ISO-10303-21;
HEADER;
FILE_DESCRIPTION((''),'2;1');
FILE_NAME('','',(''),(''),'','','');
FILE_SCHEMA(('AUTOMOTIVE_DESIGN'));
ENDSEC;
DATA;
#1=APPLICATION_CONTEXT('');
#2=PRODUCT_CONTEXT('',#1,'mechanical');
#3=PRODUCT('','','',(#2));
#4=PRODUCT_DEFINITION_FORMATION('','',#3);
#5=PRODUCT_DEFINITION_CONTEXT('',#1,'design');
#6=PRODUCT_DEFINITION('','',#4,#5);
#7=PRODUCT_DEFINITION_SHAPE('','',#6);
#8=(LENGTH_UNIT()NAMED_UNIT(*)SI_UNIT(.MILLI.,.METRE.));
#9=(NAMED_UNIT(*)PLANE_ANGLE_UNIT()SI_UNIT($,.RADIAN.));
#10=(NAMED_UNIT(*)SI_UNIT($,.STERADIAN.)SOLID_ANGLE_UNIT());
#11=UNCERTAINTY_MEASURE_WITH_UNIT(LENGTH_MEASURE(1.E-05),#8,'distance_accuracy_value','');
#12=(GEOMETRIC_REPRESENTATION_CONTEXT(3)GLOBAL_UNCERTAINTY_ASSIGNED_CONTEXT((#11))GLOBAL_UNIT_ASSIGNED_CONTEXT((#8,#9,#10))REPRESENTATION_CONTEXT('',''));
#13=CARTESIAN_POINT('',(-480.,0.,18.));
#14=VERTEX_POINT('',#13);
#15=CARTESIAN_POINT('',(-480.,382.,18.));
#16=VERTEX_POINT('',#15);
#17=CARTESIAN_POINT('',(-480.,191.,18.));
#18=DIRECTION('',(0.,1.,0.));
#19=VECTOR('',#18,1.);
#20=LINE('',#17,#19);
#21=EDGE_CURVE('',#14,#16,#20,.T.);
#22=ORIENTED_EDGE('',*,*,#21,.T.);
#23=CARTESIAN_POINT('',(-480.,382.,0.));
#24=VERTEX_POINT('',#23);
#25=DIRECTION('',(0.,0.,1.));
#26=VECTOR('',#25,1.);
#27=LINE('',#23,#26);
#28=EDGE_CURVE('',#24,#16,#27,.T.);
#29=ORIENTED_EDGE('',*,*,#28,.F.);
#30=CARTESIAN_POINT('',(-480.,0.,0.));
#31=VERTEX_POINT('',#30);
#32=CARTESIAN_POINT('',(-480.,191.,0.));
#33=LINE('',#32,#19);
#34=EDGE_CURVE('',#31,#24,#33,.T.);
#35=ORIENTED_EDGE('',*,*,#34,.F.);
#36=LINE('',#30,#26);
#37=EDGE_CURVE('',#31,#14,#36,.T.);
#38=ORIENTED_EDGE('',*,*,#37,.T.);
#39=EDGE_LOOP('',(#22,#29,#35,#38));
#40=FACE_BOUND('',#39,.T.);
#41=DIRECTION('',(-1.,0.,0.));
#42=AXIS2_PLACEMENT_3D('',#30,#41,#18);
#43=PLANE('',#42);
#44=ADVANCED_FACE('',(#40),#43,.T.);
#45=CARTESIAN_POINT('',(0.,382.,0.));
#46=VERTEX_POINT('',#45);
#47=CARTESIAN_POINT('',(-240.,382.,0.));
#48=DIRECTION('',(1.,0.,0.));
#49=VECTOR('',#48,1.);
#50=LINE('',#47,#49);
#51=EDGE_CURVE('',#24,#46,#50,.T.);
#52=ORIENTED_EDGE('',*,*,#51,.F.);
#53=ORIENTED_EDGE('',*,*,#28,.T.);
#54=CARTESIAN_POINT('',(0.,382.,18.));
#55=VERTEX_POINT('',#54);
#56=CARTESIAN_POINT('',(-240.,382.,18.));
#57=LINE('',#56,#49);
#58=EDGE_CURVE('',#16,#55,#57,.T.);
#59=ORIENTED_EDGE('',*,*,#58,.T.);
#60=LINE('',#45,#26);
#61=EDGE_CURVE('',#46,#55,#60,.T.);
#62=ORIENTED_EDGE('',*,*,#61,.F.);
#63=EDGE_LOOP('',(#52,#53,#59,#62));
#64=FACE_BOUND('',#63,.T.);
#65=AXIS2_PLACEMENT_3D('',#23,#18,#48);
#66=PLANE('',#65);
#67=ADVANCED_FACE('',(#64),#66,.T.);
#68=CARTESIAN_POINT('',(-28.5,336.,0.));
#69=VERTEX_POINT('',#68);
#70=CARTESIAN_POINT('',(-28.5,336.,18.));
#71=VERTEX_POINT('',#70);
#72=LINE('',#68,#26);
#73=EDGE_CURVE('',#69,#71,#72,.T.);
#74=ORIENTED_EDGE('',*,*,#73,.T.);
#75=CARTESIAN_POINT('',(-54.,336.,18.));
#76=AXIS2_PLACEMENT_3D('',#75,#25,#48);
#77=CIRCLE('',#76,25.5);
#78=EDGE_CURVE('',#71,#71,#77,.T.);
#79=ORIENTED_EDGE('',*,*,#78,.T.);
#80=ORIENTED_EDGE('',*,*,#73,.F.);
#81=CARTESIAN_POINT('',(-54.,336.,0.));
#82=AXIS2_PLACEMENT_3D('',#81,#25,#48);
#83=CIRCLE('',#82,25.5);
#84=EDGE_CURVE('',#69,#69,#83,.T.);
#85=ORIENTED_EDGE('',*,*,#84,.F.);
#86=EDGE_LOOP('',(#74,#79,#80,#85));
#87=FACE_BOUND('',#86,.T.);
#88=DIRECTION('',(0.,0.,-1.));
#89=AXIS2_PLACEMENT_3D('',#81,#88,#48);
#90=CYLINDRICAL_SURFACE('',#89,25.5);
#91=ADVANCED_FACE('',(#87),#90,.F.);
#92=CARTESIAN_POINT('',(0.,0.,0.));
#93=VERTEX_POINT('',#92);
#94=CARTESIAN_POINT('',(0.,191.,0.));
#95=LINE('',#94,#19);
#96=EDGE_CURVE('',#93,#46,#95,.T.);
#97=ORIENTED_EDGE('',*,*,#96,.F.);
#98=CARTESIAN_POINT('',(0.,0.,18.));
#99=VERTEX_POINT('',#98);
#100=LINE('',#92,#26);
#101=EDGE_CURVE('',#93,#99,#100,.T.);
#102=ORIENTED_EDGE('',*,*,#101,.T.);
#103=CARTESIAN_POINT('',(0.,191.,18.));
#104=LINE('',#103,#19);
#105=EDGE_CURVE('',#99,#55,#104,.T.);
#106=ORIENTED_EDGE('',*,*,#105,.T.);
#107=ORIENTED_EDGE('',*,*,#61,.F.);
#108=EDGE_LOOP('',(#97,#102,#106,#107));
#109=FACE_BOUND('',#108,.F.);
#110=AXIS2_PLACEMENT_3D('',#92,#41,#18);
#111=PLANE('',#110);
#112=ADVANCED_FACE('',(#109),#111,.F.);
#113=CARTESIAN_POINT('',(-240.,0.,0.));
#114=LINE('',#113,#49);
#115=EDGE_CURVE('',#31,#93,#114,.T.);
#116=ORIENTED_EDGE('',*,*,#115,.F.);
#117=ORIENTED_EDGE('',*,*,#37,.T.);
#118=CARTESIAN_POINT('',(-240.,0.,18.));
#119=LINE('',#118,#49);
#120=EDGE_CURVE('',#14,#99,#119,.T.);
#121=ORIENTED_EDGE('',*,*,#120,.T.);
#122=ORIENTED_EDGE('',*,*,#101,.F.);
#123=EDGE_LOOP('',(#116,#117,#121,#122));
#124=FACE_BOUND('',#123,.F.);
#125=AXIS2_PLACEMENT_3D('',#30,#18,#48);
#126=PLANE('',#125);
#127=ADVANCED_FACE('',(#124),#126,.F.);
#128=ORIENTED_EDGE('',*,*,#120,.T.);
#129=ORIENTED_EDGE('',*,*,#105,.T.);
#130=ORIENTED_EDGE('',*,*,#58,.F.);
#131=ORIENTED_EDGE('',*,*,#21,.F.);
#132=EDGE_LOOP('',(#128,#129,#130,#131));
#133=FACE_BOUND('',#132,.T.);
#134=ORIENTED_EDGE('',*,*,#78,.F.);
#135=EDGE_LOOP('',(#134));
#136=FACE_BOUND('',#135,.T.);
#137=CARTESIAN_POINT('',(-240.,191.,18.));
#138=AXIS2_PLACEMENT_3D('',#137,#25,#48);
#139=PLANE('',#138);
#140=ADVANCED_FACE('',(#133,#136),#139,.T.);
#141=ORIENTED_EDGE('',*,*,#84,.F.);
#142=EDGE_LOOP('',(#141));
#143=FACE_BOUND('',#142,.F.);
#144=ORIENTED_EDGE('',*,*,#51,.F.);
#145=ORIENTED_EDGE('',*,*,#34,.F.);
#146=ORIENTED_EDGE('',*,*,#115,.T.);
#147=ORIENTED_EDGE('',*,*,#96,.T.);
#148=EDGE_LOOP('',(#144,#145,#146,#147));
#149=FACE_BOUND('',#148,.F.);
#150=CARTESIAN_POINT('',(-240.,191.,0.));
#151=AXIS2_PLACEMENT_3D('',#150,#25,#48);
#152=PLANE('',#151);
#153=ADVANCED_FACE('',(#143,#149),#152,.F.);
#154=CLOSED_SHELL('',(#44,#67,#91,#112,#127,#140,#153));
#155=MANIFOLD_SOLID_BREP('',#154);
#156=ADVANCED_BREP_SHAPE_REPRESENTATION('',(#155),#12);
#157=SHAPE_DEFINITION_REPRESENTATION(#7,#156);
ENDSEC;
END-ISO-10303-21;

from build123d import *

# Parameters (mm, degrees)
SKETCH_W  = 480
SKETCH_H  = 382
SKETCH_R  = 25.5
PAD_DEPTH = 18


with BuildPart() as part:
    # Sketch → Pad (new body)
    with BuildSketch(Plane.XY):
        with Locations((-240, 191)):
            Rectangle(SKETCH_W, SKETCH_H)
        with Locations((-54, 336)):
            Circle(SKETCH_R, mode=Mode.SUBTRACT)
    extrude(amount=PAD_DEPTH)


solid = part.part
